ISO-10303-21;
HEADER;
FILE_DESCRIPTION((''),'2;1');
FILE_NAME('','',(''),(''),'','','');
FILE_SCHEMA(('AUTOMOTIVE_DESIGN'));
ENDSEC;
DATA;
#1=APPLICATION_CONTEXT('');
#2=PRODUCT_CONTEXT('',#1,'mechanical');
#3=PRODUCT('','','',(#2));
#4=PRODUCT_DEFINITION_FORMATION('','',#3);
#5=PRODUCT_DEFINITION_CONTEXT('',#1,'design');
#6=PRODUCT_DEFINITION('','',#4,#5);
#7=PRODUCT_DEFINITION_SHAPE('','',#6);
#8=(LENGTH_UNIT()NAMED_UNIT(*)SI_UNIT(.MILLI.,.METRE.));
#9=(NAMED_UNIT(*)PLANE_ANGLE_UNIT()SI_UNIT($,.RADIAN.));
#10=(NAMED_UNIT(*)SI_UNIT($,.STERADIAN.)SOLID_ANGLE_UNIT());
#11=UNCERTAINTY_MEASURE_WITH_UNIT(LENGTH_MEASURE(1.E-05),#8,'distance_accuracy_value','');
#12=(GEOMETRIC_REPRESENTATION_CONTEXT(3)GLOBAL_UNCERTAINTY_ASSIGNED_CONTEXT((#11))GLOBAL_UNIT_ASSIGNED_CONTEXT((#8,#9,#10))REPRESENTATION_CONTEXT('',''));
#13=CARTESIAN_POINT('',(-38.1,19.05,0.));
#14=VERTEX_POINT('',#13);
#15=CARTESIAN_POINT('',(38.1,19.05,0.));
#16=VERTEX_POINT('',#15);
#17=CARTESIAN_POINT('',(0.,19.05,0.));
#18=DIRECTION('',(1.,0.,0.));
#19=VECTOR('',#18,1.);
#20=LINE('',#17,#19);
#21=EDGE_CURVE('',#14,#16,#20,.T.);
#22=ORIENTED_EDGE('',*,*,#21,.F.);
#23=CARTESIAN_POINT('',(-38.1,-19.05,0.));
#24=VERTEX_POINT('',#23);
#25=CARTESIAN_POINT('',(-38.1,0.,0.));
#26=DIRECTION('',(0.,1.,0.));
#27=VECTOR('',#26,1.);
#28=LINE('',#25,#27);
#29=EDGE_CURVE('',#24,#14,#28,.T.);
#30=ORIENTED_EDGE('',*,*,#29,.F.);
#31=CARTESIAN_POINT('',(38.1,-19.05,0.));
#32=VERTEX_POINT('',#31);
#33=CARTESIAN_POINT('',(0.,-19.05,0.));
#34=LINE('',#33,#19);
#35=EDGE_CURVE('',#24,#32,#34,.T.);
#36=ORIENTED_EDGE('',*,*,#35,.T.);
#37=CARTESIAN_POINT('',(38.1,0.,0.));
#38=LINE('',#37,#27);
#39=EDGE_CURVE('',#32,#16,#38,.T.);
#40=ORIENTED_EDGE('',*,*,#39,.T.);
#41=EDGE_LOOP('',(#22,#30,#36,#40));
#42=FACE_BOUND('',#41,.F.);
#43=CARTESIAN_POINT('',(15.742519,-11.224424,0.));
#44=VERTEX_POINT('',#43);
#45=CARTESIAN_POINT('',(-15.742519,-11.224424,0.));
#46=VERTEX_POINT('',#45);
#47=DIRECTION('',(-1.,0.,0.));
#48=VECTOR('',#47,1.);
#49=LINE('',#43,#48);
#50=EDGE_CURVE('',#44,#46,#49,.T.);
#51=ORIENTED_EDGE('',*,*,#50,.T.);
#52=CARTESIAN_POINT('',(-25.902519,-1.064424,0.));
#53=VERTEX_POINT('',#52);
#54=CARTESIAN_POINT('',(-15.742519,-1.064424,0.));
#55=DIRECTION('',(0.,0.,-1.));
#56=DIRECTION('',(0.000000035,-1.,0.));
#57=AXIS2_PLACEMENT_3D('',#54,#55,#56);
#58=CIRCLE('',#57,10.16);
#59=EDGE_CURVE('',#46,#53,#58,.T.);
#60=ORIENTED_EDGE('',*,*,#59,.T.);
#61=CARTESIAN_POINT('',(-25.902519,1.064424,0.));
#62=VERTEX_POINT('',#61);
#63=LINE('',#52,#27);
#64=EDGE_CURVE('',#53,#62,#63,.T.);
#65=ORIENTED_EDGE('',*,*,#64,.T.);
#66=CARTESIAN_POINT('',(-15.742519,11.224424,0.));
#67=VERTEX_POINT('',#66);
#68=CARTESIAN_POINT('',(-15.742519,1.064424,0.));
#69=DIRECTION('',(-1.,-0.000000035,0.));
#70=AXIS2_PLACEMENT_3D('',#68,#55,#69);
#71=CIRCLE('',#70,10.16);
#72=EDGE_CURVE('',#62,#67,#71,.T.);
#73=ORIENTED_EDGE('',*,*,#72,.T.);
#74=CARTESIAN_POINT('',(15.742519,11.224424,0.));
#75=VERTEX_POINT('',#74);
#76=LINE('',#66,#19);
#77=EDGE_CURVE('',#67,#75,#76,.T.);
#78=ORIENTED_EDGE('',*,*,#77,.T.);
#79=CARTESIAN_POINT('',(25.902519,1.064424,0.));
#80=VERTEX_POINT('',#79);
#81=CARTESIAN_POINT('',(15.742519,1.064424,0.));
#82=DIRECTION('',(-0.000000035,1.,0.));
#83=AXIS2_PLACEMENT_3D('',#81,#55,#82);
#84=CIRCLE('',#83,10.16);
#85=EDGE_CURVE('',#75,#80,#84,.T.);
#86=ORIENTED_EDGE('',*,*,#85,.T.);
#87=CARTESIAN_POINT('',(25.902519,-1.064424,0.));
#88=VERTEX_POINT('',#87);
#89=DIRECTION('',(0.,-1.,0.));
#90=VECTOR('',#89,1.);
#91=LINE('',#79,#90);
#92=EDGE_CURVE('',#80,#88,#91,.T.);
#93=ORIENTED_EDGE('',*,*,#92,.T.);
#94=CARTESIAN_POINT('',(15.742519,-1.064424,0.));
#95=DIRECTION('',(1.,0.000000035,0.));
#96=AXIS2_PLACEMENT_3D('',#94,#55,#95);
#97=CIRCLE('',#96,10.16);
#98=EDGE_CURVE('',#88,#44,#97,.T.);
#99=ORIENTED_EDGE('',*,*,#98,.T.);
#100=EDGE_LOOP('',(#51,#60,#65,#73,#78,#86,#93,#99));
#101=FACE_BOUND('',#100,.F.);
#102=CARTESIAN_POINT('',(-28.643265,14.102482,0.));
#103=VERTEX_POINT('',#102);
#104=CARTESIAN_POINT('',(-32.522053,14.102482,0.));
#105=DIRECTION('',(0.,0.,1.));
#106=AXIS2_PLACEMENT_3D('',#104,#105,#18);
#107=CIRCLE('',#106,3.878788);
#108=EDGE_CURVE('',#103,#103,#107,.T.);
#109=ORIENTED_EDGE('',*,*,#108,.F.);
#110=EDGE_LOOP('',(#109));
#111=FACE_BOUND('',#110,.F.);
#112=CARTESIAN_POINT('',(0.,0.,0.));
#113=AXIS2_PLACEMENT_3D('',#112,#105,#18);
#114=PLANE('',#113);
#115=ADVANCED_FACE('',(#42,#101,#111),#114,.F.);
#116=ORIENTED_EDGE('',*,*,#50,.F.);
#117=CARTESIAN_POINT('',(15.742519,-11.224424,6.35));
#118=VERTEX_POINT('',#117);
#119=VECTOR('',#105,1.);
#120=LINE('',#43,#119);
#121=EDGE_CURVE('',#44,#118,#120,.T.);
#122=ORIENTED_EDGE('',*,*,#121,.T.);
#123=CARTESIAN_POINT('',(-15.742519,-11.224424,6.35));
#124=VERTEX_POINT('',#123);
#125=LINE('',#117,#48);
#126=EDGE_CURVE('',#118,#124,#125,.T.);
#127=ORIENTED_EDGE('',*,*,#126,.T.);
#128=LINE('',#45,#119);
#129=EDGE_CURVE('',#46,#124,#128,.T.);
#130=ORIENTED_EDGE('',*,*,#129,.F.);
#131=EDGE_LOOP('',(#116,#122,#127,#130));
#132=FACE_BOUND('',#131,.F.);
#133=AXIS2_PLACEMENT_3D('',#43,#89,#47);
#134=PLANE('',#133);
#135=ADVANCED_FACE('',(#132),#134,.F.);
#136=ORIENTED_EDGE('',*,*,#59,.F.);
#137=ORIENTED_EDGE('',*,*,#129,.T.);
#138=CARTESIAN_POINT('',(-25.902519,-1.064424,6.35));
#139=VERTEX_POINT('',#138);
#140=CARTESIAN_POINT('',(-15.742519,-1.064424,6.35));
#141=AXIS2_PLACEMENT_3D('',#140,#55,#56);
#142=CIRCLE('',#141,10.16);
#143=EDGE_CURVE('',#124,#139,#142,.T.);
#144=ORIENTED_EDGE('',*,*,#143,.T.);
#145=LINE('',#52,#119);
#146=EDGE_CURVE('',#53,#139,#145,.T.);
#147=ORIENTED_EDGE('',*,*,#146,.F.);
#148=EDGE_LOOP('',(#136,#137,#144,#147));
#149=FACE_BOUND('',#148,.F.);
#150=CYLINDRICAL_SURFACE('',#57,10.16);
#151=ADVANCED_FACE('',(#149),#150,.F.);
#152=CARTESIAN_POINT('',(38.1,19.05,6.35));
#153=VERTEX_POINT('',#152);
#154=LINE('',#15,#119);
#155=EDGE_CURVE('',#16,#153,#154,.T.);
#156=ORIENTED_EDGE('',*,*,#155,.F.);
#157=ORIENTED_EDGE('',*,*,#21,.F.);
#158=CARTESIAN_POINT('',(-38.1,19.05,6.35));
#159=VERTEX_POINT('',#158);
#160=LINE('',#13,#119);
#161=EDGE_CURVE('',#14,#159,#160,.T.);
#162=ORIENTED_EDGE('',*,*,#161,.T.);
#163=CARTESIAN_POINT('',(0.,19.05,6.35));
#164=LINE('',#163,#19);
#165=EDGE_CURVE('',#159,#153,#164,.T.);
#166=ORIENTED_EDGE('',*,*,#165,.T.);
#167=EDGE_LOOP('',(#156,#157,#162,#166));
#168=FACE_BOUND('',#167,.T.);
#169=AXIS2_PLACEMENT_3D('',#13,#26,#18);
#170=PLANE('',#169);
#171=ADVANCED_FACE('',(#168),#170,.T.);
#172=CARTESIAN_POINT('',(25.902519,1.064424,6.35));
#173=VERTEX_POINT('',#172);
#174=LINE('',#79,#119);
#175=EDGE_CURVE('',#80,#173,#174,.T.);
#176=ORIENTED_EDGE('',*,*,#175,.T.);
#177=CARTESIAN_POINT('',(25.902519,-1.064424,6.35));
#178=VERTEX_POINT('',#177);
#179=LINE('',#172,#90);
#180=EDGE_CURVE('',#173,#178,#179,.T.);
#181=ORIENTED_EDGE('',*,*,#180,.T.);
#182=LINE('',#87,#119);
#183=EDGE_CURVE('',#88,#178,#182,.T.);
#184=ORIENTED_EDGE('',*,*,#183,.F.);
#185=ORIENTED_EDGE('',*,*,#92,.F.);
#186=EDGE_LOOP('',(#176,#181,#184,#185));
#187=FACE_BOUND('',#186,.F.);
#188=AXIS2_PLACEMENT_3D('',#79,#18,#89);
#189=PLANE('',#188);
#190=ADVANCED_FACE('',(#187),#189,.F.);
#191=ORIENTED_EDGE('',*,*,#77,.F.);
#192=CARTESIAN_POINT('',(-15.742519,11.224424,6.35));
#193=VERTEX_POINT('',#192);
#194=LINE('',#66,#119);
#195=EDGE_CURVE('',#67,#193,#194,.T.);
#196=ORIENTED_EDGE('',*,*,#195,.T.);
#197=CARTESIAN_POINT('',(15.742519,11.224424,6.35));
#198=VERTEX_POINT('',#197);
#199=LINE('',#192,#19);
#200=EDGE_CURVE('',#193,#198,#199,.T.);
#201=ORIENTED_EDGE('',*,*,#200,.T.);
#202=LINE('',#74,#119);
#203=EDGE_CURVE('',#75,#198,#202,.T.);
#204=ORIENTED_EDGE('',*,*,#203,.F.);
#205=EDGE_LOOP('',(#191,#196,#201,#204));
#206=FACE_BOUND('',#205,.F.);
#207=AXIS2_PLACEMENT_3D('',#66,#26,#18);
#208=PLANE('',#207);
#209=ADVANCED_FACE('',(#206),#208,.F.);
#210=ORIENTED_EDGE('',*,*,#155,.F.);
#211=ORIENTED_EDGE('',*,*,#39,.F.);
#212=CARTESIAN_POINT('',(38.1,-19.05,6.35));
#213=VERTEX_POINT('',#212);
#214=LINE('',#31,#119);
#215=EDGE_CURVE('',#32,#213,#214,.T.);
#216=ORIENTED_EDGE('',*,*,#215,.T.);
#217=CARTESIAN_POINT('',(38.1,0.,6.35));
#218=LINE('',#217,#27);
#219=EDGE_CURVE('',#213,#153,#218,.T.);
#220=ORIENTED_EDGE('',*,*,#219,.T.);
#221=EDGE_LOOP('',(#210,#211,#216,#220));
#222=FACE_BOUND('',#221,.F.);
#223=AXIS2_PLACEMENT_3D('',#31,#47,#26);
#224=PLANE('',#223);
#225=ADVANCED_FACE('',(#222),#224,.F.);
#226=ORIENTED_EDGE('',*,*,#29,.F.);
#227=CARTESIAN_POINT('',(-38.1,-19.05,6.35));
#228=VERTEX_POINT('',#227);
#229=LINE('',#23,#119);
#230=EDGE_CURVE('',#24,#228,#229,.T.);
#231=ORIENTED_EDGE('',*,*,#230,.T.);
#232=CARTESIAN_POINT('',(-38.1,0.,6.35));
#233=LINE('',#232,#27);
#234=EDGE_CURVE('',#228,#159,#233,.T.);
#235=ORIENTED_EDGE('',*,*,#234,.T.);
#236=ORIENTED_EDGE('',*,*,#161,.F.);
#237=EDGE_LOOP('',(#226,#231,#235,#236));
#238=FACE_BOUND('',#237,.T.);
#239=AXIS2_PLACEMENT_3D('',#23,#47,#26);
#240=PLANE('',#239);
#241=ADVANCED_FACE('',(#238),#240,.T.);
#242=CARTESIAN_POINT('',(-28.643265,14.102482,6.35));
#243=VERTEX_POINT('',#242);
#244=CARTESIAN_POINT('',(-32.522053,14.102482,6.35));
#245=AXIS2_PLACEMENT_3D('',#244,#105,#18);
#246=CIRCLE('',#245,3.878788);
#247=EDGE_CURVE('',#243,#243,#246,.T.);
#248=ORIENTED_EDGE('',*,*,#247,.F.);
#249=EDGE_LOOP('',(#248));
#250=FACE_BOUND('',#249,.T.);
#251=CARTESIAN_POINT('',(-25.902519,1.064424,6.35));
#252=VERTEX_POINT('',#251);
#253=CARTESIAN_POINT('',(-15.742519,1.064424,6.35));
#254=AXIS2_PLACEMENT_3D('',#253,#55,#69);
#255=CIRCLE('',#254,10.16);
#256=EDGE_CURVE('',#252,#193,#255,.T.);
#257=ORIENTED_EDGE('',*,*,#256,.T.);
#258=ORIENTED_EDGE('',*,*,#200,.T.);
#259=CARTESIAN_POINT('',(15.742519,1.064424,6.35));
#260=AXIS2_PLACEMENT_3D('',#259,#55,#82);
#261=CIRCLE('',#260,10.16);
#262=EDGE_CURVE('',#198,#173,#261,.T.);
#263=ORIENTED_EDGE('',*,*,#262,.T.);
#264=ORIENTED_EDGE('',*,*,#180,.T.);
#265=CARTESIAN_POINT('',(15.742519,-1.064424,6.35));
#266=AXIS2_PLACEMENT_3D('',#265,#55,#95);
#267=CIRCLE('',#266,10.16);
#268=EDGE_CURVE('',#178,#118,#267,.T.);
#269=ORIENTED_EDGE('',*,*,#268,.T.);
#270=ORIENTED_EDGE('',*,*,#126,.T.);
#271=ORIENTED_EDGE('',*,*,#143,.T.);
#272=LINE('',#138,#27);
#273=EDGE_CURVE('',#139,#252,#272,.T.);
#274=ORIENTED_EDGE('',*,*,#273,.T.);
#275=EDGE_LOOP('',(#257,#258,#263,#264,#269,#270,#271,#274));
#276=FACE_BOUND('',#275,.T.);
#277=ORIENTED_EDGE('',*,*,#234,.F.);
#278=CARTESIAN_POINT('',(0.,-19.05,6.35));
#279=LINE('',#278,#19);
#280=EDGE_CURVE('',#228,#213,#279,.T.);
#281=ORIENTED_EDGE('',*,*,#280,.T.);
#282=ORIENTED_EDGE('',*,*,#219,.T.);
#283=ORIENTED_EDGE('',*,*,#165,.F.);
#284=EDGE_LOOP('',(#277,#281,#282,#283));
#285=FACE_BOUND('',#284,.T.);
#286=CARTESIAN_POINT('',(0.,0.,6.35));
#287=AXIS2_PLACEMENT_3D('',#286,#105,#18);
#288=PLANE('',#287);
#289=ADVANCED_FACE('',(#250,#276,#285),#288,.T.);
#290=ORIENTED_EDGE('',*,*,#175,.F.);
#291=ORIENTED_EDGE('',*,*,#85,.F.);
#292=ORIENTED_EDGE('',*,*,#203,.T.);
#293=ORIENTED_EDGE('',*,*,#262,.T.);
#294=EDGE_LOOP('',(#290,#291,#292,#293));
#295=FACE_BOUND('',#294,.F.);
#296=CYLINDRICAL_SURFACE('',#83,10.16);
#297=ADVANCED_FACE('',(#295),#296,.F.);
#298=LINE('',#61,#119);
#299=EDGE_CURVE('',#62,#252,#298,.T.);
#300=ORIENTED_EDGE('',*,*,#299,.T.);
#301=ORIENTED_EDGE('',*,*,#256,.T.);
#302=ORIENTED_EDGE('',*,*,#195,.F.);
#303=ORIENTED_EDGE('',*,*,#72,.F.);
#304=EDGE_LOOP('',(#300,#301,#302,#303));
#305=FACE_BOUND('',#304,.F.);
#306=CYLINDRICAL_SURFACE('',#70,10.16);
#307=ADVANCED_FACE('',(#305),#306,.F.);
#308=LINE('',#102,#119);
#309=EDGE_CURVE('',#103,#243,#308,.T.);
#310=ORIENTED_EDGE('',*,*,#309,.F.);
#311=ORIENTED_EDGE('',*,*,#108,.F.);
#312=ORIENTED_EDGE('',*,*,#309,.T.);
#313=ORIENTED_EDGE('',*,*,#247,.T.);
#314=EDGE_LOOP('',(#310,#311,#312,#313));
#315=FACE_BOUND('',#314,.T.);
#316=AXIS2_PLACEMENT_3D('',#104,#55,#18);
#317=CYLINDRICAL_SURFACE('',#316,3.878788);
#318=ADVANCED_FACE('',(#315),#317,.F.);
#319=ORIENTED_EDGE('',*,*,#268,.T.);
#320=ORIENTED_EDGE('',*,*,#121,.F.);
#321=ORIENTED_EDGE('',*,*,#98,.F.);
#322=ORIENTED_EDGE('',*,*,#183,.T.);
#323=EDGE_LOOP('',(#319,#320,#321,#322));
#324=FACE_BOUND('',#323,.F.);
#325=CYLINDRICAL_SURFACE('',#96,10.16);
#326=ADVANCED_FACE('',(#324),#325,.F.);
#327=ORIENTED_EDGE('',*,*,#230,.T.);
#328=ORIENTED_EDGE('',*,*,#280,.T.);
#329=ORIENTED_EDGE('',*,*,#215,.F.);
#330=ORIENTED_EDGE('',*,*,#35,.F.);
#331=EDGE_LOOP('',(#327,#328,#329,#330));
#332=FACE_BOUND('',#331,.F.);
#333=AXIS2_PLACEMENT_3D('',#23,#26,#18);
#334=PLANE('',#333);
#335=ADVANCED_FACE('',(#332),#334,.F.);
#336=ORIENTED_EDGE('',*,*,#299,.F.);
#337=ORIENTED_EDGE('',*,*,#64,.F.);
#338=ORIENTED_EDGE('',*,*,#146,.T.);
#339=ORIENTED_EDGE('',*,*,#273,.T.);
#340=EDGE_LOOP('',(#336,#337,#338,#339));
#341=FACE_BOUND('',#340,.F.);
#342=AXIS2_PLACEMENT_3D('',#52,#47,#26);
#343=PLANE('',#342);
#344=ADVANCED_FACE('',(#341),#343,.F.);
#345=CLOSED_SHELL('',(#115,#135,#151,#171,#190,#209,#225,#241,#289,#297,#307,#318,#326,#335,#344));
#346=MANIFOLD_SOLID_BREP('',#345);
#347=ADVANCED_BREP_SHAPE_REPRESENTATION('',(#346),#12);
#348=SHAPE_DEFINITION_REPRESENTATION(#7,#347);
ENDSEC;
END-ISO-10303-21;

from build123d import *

# Parameters (mm, degrees)
F0_W     = 76.2
F0_H     = 38.1
F0_R     = 3.878788
F1_DEPTH = 6.35


with BuildPart() as f1:
    # F0 (on Top) → F1 (new body)
    with BuildSketch(Plane.XY):
        Rectangle(F0_W, F0_H)
        with Locations((-32.522053, 14.102482)):
            Circle(F0_R, mode=Mode.SUBTRACT)
        with BuildLine():
            Line((15.742519, -11.224424), (-15.742519, -11.224424))
            ThreePointArc((-15.742519, -11.224424), (-22.926724, -8.248629), (-25.902519, -1.064424))
            Line((-25.902519, -1.064424), (-25.902519, 1.064424))
            ThreePointArc((-25.902519, 1.064424), (-22.926724, 8.248629), (-15.742519, 11.224424))
            Line((-15.742519, 11.224424), (15.742519, 11.224424))
            ThreePointArc((15.742519, 11.224424), (22.926724, 8.248629), (25.902519, 1.064424))
            Line((25.902519, 1.064424), (25.902519, -1.064424))
            ThreePointArc((25.902519, -1.064424), (22.926724, -8.248629), (15.742519, -11.224424))
        make_face(mode=Mode.SUBTRACT)
    extrude(amount=F1_DEPTH)


solid = f1.part
